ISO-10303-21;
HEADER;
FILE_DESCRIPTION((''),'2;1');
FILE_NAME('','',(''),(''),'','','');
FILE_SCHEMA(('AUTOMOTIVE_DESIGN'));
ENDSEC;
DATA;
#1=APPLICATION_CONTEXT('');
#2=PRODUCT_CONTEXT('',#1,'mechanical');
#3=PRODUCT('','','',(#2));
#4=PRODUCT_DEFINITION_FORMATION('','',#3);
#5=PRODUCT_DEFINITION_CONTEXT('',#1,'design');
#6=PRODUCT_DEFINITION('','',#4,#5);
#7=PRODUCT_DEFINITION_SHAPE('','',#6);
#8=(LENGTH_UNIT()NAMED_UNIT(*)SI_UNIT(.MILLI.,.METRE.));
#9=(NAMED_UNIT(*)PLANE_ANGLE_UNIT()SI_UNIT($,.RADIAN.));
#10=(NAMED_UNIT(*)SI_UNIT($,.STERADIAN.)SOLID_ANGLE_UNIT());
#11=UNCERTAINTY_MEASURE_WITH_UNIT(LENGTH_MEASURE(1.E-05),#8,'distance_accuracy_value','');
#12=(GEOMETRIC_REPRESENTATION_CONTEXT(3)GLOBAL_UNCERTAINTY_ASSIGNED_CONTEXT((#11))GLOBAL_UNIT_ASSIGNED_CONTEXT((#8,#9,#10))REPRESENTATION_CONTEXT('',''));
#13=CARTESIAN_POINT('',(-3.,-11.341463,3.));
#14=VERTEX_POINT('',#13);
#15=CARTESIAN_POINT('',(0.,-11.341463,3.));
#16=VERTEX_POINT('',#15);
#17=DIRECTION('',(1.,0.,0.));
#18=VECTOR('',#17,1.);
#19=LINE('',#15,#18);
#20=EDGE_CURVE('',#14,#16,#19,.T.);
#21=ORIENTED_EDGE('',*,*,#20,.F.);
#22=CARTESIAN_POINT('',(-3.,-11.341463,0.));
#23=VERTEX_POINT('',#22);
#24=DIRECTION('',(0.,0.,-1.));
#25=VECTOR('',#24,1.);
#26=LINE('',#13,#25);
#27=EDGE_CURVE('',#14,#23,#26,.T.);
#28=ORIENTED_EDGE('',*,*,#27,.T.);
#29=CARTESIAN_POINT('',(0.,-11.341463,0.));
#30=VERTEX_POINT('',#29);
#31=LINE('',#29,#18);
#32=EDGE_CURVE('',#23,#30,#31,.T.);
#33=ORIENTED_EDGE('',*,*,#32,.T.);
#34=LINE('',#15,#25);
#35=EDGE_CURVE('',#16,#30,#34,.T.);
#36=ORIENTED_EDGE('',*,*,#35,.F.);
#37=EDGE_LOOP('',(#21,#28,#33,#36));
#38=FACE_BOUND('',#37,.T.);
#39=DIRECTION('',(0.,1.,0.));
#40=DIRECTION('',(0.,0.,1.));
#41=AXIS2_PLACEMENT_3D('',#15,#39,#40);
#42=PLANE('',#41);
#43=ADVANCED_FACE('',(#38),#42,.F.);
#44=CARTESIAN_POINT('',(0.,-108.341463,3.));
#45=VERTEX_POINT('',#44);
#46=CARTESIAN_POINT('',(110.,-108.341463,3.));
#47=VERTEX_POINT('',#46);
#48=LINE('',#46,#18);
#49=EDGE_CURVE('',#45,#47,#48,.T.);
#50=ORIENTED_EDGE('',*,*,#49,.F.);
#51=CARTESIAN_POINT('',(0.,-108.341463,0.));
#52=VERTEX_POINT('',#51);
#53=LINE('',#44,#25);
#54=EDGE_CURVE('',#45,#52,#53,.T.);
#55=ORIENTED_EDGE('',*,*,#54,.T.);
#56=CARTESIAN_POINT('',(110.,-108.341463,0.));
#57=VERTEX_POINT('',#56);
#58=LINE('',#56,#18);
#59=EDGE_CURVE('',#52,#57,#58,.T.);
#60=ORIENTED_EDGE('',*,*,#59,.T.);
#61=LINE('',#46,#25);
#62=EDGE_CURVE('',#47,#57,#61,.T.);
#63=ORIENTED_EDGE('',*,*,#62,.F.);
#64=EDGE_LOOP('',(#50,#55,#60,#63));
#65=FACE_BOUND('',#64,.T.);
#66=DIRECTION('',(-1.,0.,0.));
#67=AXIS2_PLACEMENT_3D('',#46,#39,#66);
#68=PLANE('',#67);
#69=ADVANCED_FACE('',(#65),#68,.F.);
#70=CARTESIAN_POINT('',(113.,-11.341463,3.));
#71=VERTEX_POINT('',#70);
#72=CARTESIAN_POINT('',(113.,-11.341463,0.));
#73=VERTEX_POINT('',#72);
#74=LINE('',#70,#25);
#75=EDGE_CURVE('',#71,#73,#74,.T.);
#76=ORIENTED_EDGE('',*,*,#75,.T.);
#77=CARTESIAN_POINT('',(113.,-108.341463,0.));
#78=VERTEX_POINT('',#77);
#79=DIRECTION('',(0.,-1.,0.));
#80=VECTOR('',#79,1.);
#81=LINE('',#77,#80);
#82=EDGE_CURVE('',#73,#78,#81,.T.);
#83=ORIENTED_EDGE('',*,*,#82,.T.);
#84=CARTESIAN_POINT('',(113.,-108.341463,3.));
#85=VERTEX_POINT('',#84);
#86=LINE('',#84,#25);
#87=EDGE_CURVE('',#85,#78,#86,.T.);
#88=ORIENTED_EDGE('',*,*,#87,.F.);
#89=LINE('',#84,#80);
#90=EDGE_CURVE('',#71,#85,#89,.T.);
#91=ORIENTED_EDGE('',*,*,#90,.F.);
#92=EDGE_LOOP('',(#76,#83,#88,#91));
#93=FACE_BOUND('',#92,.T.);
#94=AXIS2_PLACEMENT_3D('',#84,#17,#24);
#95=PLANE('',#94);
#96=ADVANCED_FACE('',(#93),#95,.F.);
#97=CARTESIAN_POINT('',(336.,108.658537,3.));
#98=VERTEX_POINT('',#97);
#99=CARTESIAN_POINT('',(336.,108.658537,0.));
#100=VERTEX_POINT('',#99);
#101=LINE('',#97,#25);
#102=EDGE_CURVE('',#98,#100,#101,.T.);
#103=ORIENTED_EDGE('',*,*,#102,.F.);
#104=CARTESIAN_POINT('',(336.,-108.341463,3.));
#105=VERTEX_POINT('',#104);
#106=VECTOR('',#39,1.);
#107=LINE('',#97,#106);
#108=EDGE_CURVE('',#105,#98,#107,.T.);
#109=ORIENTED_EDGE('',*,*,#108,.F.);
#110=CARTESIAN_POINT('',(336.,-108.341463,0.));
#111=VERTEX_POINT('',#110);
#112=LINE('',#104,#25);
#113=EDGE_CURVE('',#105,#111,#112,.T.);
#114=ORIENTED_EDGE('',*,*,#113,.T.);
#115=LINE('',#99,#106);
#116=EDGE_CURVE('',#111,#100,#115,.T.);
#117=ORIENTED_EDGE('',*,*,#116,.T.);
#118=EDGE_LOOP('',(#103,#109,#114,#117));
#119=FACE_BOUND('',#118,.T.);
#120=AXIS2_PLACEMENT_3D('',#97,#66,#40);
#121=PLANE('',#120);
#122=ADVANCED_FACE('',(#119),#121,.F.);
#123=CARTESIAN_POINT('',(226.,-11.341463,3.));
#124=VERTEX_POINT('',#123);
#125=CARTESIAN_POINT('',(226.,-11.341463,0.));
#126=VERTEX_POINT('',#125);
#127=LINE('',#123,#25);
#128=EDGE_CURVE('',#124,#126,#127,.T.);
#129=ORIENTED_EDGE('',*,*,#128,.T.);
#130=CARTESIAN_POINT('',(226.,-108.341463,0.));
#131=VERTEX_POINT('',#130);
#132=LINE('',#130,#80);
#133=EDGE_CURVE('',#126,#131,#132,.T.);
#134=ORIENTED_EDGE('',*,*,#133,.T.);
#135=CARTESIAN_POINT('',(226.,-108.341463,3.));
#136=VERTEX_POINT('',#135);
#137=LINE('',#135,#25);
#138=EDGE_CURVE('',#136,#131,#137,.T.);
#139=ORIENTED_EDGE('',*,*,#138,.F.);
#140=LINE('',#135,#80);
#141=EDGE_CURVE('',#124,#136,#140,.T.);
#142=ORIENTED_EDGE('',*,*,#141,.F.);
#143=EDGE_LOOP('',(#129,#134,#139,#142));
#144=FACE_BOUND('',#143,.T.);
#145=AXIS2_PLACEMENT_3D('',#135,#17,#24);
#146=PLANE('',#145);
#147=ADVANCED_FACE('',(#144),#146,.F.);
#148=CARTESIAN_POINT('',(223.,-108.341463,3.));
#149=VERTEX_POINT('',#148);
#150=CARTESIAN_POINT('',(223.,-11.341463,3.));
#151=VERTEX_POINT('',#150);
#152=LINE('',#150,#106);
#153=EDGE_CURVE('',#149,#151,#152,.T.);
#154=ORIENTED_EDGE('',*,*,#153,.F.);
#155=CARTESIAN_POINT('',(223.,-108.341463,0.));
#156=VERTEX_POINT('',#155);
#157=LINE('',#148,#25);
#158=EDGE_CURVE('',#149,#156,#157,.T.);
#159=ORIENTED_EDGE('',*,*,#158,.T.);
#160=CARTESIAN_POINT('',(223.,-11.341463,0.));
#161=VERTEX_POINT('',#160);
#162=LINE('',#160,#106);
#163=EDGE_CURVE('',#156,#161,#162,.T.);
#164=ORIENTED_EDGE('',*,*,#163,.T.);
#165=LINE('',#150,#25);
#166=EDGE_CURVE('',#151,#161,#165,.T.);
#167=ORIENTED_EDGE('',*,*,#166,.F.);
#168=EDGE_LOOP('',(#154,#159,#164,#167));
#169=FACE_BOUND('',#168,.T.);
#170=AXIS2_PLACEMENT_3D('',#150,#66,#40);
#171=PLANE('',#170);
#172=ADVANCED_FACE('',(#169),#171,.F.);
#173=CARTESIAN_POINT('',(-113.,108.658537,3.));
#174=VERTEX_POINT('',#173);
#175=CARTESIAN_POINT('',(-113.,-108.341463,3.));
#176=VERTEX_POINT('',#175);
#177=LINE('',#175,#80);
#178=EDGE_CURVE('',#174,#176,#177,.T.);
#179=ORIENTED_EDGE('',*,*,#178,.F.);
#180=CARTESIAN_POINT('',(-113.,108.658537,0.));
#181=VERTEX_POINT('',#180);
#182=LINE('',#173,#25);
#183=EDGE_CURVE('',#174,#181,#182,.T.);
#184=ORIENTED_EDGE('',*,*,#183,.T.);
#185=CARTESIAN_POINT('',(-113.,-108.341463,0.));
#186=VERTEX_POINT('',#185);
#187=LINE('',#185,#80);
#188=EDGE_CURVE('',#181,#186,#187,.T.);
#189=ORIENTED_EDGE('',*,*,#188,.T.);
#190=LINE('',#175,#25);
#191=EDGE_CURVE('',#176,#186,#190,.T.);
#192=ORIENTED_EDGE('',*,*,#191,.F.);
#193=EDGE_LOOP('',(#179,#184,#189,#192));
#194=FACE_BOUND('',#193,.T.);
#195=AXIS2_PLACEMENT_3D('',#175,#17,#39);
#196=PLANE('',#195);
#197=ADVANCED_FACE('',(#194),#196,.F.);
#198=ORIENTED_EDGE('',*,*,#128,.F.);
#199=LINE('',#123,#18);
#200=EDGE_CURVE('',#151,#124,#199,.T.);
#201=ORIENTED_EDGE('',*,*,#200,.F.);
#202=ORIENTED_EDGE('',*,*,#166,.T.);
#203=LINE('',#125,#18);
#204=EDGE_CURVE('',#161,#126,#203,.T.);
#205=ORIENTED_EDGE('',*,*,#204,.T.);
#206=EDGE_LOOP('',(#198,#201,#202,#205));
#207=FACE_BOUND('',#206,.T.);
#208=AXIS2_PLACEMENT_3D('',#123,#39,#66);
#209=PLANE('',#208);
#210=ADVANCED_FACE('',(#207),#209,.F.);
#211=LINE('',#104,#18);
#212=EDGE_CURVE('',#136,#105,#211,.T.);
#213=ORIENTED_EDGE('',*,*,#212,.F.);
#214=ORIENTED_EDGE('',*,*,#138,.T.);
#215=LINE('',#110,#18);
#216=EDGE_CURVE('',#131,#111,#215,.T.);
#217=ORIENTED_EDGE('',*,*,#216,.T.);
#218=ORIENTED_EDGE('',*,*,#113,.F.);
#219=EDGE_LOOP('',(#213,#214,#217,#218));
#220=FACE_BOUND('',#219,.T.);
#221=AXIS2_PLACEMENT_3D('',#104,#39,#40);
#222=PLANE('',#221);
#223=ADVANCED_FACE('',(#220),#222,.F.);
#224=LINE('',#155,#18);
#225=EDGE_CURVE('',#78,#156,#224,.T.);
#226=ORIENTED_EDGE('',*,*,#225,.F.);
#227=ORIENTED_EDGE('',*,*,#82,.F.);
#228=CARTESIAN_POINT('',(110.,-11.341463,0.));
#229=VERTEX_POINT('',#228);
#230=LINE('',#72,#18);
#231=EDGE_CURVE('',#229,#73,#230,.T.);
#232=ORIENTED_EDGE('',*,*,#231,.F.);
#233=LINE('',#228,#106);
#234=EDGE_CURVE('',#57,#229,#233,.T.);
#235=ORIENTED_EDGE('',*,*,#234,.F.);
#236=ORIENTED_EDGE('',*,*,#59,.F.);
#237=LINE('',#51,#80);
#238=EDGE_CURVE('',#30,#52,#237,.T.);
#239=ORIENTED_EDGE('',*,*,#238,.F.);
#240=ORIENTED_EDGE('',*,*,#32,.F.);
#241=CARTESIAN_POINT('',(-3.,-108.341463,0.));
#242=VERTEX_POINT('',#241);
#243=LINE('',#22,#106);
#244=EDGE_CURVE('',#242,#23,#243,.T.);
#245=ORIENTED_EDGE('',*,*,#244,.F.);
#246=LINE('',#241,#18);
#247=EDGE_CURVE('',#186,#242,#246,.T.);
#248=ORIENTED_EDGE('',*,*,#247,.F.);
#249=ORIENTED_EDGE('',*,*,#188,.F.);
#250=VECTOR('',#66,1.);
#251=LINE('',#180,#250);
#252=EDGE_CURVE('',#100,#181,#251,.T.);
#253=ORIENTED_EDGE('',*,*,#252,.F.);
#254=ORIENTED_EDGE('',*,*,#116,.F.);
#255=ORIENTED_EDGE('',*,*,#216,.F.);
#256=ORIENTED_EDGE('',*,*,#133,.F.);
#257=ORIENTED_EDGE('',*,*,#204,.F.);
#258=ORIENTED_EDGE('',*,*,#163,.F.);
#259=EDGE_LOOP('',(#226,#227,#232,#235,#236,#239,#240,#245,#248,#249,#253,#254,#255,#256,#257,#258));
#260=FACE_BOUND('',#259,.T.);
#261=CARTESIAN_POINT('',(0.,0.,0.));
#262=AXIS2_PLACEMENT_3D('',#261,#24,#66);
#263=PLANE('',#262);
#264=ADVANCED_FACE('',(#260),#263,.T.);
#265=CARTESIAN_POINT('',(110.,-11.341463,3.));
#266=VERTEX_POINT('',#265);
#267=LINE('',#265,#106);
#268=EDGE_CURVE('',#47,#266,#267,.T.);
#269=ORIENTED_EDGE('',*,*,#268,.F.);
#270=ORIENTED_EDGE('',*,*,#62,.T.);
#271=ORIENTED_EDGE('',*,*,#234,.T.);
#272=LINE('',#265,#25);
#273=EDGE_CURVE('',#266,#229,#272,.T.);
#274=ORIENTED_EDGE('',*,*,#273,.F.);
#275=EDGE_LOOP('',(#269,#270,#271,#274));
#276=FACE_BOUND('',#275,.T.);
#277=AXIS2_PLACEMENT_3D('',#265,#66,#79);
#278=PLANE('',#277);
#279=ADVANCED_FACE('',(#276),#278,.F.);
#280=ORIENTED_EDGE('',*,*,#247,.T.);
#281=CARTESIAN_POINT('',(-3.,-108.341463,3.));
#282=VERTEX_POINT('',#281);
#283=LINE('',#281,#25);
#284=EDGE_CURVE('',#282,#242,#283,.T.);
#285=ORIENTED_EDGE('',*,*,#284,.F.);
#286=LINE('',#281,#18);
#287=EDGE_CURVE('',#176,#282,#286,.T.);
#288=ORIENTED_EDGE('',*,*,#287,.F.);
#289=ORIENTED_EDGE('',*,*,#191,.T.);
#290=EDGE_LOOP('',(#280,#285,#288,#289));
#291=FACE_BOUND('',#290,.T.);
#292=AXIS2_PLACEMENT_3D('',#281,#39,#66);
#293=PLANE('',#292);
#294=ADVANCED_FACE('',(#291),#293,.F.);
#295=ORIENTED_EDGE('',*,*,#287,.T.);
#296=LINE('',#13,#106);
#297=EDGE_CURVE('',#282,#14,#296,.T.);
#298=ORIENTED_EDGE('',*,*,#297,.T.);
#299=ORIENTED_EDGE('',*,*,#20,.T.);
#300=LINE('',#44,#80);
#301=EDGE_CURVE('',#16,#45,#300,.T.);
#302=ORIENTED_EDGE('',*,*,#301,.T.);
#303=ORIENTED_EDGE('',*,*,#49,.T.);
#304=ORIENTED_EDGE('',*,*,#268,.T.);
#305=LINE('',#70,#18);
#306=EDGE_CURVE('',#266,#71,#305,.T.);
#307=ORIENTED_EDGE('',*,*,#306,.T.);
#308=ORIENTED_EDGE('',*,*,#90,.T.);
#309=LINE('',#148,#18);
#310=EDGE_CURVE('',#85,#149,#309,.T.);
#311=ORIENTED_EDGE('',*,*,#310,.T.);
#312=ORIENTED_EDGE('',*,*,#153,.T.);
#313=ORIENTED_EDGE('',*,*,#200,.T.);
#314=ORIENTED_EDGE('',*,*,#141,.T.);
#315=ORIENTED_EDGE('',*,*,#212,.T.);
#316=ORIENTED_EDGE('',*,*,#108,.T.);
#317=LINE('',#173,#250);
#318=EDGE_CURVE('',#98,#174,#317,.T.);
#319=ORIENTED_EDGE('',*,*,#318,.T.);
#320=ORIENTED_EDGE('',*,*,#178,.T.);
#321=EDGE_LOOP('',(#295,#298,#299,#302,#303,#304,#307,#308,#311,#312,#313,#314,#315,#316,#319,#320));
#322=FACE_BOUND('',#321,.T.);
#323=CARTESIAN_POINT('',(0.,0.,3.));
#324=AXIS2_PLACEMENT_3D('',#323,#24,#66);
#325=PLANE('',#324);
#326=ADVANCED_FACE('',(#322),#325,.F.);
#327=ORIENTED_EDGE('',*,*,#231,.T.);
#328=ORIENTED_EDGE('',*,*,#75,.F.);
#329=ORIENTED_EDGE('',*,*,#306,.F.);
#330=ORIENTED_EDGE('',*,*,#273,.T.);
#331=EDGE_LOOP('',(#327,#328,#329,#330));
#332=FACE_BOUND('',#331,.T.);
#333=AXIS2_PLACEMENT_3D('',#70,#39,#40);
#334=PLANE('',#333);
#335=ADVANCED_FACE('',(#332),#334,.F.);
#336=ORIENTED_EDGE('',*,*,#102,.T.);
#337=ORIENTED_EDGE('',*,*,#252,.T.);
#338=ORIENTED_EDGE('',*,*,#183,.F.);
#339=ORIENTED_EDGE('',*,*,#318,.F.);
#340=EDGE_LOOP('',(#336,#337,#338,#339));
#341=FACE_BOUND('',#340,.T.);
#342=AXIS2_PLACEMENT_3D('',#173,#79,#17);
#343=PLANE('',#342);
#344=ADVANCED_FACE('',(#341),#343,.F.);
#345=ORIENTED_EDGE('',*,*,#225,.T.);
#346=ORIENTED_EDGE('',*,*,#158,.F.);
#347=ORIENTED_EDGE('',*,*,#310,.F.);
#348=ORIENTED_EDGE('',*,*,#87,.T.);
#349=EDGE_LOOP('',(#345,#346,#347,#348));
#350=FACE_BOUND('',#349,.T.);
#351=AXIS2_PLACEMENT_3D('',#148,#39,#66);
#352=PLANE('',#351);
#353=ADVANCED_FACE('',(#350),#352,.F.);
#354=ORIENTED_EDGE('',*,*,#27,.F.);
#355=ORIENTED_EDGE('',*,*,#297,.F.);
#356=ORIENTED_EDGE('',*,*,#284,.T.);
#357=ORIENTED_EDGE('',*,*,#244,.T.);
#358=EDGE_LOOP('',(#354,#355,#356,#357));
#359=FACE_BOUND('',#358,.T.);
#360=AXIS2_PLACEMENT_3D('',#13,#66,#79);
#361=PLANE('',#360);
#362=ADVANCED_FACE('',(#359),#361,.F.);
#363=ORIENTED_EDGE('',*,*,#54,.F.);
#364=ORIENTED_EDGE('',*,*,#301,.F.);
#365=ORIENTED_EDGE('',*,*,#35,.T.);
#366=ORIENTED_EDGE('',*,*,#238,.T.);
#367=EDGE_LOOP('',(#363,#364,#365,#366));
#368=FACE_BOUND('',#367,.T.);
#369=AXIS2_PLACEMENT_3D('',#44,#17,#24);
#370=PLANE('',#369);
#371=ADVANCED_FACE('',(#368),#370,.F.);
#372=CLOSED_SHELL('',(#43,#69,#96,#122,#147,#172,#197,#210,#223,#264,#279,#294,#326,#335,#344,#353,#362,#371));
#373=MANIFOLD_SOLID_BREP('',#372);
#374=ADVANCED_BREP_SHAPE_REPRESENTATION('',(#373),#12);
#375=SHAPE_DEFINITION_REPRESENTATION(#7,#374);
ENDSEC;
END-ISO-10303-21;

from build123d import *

# Parameters (mm, degrees)
BOSS_EXTRUDE1_DEPTH = 3


with BuildPart() as part:
    # Sketch1 → Boss-Extrude1 (new body)
    with BuildSketch(Plane.XY):
        Polygon((-113, 108.658536585), (336, 108.658536585), (336, -108.341463415), (226, -108.341463415), (226, -11.341463415), (223, -11.341463415), (223, -108.341463415), (113, -108.341463415), (113, -11.341463415), (110, -11.341463415), (110, -108.341463415), (0, -108.341463415), (0, -11.341463415), (-3, -11.341463415), (-3, -108.341463415), (-113, -108.341463415), align=None)
    extrude(amount=BOSS_EXTRUDE1_DEPTH)


solid = part.part
